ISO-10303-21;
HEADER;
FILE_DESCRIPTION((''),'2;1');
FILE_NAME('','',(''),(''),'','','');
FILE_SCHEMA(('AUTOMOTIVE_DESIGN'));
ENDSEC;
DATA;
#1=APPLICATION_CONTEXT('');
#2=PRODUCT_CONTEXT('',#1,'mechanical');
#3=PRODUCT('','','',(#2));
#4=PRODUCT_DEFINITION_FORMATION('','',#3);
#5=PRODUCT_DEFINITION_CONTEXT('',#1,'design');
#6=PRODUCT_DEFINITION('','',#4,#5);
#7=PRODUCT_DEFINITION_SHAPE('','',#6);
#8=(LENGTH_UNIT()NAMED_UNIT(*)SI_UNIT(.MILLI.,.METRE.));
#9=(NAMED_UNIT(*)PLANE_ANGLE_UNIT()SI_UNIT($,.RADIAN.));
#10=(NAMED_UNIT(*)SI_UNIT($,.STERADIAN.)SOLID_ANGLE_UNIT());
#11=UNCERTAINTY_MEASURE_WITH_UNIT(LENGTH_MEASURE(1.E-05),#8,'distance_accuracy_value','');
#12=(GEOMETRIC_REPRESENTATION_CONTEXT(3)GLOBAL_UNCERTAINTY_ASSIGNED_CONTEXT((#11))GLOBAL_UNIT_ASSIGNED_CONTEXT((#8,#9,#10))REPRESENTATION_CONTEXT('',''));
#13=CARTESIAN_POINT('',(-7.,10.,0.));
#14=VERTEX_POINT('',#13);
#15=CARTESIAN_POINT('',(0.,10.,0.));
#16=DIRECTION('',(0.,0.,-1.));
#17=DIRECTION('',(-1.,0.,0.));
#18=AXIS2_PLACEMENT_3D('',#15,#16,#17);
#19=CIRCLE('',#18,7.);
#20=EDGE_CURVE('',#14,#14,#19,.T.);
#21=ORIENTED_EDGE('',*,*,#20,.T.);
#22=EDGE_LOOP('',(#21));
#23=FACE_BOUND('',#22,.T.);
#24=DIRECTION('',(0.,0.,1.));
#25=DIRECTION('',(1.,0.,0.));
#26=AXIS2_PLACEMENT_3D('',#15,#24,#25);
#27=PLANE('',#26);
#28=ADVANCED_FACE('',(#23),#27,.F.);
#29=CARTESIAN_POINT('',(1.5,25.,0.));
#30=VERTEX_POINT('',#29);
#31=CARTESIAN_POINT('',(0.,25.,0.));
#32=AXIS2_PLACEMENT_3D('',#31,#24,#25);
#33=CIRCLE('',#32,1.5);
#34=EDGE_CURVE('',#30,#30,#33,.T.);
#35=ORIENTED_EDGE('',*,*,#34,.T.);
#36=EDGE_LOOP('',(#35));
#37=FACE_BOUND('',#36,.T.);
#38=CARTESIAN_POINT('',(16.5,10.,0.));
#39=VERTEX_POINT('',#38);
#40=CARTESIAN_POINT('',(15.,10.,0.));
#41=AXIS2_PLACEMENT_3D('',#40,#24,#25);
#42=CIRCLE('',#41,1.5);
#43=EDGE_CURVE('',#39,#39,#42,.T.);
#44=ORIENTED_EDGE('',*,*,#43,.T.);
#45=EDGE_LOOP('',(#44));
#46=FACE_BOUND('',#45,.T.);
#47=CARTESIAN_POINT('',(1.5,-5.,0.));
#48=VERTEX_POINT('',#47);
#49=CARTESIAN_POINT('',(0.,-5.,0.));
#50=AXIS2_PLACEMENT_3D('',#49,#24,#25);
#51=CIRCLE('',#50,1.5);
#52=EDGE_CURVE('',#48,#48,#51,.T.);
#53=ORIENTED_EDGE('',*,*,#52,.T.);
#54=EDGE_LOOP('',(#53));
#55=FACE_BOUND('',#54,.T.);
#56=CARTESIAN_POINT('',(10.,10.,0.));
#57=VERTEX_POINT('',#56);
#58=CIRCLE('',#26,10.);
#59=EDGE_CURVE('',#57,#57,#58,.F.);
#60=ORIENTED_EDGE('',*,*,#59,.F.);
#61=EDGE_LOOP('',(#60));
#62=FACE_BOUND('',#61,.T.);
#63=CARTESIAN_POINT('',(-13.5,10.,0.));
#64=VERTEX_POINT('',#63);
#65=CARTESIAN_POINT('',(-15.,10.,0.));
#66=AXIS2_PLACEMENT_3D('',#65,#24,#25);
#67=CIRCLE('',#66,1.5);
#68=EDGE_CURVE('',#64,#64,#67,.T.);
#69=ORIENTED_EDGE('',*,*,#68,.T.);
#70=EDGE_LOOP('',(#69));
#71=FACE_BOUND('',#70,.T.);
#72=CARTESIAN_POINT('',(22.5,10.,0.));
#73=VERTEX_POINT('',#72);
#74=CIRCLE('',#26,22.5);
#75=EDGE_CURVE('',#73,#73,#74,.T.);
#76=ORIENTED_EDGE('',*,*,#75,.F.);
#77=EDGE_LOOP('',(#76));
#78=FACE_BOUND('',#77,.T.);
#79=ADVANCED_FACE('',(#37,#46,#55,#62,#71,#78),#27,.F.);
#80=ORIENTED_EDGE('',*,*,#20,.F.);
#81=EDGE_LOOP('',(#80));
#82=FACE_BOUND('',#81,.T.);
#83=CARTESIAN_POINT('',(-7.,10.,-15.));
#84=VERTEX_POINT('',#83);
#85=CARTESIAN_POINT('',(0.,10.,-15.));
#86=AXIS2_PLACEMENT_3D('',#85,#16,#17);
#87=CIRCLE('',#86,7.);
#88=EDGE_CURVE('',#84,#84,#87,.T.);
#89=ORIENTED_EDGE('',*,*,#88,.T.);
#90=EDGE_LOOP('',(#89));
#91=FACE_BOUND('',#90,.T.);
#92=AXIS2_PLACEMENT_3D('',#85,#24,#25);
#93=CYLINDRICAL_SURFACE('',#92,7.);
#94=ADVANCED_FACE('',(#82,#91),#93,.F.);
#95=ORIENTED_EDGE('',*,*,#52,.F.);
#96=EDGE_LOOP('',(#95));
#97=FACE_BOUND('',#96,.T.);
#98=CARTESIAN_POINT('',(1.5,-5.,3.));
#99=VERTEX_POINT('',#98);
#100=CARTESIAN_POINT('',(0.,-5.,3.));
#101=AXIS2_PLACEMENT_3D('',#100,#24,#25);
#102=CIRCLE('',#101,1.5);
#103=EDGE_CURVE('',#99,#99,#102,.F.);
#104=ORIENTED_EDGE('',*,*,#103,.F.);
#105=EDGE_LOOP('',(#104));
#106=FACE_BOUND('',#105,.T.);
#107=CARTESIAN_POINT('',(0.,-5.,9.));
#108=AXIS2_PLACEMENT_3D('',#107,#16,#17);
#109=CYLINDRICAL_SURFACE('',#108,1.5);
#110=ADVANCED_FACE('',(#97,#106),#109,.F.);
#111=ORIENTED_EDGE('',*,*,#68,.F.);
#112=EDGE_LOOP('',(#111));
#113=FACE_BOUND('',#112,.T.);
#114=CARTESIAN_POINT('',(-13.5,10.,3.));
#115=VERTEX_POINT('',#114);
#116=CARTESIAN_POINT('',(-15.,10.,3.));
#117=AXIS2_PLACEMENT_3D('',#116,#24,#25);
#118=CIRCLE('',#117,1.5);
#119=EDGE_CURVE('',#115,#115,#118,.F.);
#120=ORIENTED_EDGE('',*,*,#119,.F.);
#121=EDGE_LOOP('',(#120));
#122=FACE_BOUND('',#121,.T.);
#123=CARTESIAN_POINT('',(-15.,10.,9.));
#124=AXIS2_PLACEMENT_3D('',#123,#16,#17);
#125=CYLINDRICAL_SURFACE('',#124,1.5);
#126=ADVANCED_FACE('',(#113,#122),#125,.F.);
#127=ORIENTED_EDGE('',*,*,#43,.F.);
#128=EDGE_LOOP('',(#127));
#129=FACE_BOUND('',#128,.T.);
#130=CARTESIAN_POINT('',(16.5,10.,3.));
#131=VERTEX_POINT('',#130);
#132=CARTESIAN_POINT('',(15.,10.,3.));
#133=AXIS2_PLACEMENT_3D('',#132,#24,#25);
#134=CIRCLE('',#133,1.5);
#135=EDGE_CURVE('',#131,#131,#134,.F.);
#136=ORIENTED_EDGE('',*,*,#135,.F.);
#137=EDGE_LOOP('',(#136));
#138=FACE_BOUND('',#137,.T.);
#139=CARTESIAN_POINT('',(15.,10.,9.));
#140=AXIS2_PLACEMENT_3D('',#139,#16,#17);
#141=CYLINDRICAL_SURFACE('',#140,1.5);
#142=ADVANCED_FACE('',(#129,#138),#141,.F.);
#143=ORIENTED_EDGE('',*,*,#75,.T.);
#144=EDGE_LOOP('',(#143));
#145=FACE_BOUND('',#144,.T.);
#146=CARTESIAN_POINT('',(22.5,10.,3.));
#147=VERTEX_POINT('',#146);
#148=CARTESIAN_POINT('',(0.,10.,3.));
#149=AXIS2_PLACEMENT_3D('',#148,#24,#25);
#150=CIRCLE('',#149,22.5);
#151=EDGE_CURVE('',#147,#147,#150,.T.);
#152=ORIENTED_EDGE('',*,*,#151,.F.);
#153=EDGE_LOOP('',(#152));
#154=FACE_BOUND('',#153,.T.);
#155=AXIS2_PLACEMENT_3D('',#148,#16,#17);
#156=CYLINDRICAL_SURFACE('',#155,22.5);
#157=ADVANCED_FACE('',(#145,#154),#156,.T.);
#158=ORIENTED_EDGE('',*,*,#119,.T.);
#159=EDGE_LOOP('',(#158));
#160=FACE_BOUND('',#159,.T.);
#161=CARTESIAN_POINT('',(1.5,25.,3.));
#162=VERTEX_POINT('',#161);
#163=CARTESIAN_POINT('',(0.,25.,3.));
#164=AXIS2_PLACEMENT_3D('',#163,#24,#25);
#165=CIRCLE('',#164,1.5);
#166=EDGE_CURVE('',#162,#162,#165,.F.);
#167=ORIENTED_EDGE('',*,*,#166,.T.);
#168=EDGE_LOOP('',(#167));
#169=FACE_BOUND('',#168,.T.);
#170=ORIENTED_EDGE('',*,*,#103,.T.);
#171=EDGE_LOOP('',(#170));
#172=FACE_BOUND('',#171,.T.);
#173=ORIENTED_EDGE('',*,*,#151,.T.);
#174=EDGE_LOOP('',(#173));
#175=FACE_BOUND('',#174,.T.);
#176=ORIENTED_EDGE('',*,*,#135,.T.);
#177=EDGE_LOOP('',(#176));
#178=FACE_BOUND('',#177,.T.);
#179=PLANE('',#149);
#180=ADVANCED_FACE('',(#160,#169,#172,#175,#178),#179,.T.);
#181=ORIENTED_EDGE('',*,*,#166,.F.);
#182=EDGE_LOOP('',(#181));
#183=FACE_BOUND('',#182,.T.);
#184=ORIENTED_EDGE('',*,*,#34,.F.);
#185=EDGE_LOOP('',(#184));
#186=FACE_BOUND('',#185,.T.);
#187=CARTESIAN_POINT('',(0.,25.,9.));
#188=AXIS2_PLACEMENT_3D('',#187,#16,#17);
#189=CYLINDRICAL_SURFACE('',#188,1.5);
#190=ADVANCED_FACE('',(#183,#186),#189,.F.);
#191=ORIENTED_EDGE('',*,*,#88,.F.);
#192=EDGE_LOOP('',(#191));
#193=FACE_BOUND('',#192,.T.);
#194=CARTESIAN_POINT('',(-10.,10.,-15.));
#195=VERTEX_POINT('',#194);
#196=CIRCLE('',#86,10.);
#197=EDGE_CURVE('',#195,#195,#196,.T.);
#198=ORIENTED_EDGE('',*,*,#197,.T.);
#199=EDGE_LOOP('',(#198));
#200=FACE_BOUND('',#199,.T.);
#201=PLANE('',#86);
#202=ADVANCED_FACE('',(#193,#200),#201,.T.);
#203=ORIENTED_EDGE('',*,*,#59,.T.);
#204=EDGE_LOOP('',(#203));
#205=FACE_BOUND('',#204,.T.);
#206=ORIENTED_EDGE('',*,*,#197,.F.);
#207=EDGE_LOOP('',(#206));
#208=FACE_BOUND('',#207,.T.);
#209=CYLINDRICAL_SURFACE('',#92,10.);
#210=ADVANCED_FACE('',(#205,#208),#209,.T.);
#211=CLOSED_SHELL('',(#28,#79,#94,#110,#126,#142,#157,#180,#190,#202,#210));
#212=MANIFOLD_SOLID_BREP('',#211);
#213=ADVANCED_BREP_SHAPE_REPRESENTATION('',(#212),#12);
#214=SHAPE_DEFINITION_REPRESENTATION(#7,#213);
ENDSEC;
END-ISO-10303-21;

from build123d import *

# Parameters (mm, degrees)
SKETCH2_R           = 22.5
BOSS_EXTRUDE1_DEPTH = 3
SKETCH3_R           = 10
SKETCH3_R_2         = 7
BOSS_EXTRUDE2_DEPTH = 15
SKETCH1_R           = 1.5
CUT_EXTRUDE1_DEPTH  = 9


with BuildPart() as part:
    # Sketch2 → Boss-Extrude1 (new body)
    with BuildSketch(Plane.XY):
        with Locations((0, 10)):
            Circle(SKETCH2_R)
    extrude(amount=BOSS_EXTRUDE1_DEPTH)

    # Sketch3 → Boss-Extrude2 (add)
    with BuildSketch(Plane(origin=(0, 0, 0), x_dir=(-1, 0, 0), z_dir=(0, 0, -1))):
        with Locations(Location((0, 10, 0), (0, 0, 180))):
            Circle(SKETCH3_R)
        with Locations((0, 10)):
            Circle(SKETCH3_R_2, mode=Mode.SUBTRACT)
    extrude(amount=BOSS_EXTRUDE2_DEPTH)

    # Sketch1 → Cut-Extrude1 (cut)
    with BuildSketch(Plane.XY):
        with Locations((0, 25)):
            Circle(SKETCH1_R)
        with Locations((15, 10)):
            Circle(SKETCH1_R)
        with Locations((0, -5)):
            Circle(SKETCH1_R)
        with Locations((-15, 10)):
            Circle(SKETCH1_R)
    extrude(amount=CUT_EXTRUDE1_DEPTH, mode=Mode.SUBTRACT)


solid = part.part
